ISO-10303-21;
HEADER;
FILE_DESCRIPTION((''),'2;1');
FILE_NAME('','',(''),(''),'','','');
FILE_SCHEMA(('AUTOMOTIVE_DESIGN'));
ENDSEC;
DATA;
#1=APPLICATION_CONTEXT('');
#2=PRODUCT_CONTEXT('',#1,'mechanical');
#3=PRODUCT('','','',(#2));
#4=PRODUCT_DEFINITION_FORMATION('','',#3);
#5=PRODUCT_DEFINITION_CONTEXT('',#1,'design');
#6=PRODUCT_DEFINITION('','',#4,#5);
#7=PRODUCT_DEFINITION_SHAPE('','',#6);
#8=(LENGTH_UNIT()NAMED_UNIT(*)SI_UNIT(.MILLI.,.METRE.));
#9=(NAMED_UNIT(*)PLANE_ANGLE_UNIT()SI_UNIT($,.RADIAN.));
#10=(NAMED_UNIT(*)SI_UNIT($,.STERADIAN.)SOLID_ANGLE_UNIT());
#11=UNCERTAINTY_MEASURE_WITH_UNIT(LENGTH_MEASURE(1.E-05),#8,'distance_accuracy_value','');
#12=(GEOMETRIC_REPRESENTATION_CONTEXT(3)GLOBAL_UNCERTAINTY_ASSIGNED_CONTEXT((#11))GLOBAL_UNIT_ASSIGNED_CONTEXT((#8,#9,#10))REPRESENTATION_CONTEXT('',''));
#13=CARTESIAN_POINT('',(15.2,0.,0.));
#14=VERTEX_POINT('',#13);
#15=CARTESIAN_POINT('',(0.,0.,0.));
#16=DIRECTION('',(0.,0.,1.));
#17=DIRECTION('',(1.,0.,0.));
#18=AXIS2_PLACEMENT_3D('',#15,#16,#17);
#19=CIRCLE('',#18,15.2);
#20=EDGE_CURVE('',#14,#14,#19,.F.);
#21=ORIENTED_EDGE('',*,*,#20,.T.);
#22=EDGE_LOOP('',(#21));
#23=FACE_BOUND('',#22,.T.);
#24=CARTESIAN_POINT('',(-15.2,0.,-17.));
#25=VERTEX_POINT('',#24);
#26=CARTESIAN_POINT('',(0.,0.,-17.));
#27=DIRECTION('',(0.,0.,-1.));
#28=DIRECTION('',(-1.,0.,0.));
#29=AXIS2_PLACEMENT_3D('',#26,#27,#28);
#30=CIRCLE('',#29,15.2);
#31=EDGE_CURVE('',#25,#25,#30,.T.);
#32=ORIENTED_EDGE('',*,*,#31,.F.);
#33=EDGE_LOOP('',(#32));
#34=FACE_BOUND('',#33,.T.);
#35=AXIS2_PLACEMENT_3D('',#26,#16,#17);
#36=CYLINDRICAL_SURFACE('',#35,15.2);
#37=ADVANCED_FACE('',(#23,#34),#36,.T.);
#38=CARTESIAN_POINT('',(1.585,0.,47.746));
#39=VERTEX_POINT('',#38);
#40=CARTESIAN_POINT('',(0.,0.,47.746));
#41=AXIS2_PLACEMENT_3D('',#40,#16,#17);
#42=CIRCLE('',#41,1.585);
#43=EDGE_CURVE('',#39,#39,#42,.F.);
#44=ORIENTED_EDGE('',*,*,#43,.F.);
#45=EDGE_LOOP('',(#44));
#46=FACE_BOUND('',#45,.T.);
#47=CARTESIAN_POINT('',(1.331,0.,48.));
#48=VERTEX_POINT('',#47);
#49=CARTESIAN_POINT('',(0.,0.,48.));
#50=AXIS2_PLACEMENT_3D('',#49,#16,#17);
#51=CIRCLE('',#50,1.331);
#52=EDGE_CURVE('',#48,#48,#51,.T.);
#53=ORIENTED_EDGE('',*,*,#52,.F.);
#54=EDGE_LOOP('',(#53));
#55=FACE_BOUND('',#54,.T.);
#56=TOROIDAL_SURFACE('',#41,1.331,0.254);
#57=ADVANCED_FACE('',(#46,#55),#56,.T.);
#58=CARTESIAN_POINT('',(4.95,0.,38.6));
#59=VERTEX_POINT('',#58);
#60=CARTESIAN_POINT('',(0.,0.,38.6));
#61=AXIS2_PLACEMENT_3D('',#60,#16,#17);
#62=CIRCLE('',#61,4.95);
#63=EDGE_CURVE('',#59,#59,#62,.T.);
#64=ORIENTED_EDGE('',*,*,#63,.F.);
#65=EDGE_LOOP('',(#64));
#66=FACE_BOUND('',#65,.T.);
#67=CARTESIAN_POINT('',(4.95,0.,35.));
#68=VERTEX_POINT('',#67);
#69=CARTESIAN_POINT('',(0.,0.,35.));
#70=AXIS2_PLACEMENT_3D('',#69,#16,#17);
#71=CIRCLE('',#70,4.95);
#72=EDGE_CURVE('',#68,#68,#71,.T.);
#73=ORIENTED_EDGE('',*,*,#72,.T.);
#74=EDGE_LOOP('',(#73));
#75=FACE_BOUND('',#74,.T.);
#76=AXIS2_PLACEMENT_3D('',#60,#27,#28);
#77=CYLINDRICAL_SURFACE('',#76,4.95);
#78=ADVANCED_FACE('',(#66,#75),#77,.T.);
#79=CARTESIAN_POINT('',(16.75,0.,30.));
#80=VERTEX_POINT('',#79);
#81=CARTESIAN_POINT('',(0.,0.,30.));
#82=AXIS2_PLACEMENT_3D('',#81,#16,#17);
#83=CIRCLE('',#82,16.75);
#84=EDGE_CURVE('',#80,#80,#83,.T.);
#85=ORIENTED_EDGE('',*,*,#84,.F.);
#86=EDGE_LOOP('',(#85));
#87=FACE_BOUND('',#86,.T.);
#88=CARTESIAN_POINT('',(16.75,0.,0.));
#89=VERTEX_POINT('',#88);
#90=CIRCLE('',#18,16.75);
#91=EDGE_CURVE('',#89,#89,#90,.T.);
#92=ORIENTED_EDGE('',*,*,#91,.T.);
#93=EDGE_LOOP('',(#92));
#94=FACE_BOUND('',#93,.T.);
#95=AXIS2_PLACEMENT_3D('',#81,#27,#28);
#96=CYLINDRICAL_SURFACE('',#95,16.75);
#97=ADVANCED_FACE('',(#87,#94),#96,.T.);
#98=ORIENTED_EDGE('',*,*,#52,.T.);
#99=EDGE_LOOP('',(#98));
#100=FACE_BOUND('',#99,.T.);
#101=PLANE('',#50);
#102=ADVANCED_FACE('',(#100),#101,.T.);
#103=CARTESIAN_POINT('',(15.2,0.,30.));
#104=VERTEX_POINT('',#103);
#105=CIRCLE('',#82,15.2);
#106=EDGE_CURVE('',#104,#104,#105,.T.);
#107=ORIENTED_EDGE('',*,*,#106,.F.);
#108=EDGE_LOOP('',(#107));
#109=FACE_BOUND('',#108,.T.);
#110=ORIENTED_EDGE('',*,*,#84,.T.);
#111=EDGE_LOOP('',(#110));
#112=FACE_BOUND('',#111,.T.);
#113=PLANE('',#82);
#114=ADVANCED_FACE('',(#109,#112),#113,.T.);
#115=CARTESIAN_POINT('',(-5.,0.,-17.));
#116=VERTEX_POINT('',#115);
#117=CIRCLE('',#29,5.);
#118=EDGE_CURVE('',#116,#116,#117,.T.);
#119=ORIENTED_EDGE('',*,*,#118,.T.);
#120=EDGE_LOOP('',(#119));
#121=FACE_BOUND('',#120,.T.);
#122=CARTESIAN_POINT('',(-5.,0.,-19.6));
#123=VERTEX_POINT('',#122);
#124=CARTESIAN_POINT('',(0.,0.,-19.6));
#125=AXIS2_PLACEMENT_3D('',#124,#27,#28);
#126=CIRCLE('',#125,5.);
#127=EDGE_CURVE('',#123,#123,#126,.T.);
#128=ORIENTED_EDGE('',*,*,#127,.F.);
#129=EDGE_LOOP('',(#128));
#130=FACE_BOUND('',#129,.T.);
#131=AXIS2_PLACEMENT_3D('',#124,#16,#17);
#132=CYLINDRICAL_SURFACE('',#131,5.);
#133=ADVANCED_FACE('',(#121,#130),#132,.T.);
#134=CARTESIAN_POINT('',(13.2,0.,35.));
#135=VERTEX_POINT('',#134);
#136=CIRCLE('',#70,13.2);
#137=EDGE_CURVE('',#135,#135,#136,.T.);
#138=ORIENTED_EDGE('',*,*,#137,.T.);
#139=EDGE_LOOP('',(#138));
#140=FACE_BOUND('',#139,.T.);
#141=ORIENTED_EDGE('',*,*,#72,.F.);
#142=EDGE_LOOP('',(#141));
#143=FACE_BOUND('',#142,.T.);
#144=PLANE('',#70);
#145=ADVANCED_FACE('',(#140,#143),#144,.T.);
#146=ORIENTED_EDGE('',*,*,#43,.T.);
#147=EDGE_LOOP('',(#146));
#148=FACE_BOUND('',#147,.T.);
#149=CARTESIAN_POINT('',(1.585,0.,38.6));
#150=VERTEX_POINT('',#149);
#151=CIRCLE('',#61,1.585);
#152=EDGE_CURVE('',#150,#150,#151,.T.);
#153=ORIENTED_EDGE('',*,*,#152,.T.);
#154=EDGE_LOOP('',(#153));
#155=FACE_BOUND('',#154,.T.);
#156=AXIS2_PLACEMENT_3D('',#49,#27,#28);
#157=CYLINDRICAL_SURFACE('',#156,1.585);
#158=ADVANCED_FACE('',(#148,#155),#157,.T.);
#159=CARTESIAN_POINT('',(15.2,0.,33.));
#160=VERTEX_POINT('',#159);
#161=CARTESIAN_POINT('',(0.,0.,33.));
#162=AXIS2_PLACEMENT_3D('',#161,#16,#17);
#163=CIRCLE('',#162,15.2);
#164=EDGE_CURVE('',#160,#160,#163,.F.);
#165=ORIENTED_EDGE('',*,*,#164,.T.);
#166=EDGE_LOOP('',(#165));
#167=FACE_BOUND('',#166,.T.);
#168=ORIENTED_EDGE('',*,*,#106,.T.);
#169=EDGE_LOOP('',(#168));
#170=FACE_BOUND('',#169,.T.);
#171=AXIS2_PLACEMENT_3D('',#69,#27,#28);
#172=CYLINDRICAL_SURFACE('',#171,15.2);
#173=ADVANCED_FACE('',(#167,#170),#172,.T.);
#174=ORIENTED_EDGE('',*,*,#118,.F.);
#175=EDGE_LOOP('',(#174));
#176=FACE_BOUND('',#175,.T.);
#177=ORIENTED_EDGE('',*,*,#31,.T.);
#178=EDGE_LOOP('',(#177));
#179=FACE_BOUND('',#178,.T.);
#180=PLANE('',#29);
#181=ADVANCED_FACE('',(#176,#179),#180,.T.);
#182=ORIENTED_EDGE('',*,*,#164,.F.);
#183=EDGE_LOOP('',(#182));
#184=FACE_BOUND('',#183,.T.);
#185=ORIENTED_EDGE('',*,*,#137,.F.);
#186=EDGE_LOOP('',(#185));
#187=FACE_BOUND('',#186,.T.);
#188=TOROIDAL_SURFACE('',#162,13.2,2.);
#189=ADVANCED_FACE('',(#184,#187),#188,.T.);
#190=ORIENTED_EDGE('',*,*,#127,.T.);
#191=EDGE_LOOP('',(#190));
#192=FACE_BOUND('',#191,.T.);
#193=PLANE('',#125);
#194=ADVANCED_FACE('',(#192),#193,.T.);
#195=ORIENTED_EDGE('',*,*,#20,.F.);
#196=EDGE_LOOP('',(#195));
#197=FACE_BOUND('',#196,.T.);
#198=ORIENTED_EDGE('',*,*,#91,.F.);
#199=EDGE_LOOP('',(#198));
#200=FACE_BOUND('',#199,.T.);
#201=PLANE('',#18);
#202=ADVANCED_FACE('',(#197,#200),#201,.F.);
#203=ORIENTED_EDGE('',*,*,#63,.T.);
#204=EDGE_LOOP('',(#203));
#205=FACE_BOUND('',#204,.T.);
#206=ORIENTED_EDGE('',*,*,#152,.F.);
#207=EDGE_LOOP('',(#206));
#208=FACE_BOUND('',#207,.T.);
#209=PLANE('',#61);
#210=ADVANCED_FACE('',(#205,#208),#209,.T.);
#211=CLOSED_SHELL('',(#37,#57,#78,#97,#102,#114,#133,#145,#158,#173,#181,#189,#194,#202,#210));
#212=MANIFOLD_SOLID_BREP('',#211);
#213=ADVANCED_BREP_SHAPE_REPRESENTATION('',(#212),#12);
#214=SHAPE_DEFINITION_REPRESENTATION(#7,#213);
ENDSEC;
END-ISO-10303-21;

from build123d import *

# Parameters (mm, degrees)
SKETCH1_R           = 16.75
BOSS_EXTRUDE1_DEPTH = 30
SKETCH2_R           = 15.2
BOSS_EXTRUDE2_DEPTH = 5
FILLET1_R           = 2
SKETCH3_R           = 15.2
BOSS_EXTRUDE3_DEPTH = 17
SKETCH4_R           = 4.95
BOSS_EXTRUDE4_DEPTH = 3.6
SKETCH5_R           = 5
BOSS_EXTRUDE5_DEPTH = 2.6
SKETCH6_R           = 1.585
BOSS_EXTRUDE6_DEPTH = 9.4
FILLET2_R           = 0.254


with BuildPart() as part:
    # Sketch1 → Boss-Extrude1 (new body)
    with BuildSketch(Plane.XY):
        Circle(SKETCH1_R)
    extrude(amount=BOSS_EXTRUDE1_DEPTH)

    # Sketch2 → Boss-Extrude2 (add)
    with BuildSketch(Plane.XY.offset(30)):
        Circle(SKETCH2_R)
    extrude(amount=BOSS_EXTRUDE2_DEPTH)

    # Fillet1
    fillet1_edges = [part.edges().sort_by_distance(p)[0] for p in [
        (-15.2, 0, 35),
    ]]
    fillet(fillet1_edges, radius=FILLET1_R)

    # Sketch3 → Boss-Extrude3 (add)
    with BuildSketch(Plane(origin=(0, 0, 0), x_dir=(-1, 0, 0), z_dir=(0, 0, -1))):
        Circle(SKETCH3_R)
    extrude(amount=BOSS_EXTRUDE3_DEPTH)

    # Sketch4 → Boss-Extrude4 (add)
    with BuildSketch(Plane.XY.offset(35)):
        Circle(SKETCH4_R)
    extrude(amount=BOSS_EXTRUDE4_DEPTH)

    # Sketch5 → Boss-Extrude5 (add)
    with BuildSketch(Plane(origin=(0, 0, -17), x_dir=(-1, 0, 0), z_dir=(0, 0, -1))):
        Circle(SKETCH5_R)
    extrude(amount=BOSS_EXTRUDE5_DEPTH)

    # Sketch6 → Boss-Extrude6 (add)
    with BuildSketch(Plane.XY.offset(38.6)):
        Circle(SKETCH6_R)
    extrude(amount=BOSS_EXTRUDE6_DEPTH)

    # Fillet2
    fillet2_edges = [part.edges().sort_by_distance(p)[0] for p in [
        (-1.585, 0, 48),
    ]]
    fillet(fillet2_edges, radius=FILLET2_R)


solid = part.part
